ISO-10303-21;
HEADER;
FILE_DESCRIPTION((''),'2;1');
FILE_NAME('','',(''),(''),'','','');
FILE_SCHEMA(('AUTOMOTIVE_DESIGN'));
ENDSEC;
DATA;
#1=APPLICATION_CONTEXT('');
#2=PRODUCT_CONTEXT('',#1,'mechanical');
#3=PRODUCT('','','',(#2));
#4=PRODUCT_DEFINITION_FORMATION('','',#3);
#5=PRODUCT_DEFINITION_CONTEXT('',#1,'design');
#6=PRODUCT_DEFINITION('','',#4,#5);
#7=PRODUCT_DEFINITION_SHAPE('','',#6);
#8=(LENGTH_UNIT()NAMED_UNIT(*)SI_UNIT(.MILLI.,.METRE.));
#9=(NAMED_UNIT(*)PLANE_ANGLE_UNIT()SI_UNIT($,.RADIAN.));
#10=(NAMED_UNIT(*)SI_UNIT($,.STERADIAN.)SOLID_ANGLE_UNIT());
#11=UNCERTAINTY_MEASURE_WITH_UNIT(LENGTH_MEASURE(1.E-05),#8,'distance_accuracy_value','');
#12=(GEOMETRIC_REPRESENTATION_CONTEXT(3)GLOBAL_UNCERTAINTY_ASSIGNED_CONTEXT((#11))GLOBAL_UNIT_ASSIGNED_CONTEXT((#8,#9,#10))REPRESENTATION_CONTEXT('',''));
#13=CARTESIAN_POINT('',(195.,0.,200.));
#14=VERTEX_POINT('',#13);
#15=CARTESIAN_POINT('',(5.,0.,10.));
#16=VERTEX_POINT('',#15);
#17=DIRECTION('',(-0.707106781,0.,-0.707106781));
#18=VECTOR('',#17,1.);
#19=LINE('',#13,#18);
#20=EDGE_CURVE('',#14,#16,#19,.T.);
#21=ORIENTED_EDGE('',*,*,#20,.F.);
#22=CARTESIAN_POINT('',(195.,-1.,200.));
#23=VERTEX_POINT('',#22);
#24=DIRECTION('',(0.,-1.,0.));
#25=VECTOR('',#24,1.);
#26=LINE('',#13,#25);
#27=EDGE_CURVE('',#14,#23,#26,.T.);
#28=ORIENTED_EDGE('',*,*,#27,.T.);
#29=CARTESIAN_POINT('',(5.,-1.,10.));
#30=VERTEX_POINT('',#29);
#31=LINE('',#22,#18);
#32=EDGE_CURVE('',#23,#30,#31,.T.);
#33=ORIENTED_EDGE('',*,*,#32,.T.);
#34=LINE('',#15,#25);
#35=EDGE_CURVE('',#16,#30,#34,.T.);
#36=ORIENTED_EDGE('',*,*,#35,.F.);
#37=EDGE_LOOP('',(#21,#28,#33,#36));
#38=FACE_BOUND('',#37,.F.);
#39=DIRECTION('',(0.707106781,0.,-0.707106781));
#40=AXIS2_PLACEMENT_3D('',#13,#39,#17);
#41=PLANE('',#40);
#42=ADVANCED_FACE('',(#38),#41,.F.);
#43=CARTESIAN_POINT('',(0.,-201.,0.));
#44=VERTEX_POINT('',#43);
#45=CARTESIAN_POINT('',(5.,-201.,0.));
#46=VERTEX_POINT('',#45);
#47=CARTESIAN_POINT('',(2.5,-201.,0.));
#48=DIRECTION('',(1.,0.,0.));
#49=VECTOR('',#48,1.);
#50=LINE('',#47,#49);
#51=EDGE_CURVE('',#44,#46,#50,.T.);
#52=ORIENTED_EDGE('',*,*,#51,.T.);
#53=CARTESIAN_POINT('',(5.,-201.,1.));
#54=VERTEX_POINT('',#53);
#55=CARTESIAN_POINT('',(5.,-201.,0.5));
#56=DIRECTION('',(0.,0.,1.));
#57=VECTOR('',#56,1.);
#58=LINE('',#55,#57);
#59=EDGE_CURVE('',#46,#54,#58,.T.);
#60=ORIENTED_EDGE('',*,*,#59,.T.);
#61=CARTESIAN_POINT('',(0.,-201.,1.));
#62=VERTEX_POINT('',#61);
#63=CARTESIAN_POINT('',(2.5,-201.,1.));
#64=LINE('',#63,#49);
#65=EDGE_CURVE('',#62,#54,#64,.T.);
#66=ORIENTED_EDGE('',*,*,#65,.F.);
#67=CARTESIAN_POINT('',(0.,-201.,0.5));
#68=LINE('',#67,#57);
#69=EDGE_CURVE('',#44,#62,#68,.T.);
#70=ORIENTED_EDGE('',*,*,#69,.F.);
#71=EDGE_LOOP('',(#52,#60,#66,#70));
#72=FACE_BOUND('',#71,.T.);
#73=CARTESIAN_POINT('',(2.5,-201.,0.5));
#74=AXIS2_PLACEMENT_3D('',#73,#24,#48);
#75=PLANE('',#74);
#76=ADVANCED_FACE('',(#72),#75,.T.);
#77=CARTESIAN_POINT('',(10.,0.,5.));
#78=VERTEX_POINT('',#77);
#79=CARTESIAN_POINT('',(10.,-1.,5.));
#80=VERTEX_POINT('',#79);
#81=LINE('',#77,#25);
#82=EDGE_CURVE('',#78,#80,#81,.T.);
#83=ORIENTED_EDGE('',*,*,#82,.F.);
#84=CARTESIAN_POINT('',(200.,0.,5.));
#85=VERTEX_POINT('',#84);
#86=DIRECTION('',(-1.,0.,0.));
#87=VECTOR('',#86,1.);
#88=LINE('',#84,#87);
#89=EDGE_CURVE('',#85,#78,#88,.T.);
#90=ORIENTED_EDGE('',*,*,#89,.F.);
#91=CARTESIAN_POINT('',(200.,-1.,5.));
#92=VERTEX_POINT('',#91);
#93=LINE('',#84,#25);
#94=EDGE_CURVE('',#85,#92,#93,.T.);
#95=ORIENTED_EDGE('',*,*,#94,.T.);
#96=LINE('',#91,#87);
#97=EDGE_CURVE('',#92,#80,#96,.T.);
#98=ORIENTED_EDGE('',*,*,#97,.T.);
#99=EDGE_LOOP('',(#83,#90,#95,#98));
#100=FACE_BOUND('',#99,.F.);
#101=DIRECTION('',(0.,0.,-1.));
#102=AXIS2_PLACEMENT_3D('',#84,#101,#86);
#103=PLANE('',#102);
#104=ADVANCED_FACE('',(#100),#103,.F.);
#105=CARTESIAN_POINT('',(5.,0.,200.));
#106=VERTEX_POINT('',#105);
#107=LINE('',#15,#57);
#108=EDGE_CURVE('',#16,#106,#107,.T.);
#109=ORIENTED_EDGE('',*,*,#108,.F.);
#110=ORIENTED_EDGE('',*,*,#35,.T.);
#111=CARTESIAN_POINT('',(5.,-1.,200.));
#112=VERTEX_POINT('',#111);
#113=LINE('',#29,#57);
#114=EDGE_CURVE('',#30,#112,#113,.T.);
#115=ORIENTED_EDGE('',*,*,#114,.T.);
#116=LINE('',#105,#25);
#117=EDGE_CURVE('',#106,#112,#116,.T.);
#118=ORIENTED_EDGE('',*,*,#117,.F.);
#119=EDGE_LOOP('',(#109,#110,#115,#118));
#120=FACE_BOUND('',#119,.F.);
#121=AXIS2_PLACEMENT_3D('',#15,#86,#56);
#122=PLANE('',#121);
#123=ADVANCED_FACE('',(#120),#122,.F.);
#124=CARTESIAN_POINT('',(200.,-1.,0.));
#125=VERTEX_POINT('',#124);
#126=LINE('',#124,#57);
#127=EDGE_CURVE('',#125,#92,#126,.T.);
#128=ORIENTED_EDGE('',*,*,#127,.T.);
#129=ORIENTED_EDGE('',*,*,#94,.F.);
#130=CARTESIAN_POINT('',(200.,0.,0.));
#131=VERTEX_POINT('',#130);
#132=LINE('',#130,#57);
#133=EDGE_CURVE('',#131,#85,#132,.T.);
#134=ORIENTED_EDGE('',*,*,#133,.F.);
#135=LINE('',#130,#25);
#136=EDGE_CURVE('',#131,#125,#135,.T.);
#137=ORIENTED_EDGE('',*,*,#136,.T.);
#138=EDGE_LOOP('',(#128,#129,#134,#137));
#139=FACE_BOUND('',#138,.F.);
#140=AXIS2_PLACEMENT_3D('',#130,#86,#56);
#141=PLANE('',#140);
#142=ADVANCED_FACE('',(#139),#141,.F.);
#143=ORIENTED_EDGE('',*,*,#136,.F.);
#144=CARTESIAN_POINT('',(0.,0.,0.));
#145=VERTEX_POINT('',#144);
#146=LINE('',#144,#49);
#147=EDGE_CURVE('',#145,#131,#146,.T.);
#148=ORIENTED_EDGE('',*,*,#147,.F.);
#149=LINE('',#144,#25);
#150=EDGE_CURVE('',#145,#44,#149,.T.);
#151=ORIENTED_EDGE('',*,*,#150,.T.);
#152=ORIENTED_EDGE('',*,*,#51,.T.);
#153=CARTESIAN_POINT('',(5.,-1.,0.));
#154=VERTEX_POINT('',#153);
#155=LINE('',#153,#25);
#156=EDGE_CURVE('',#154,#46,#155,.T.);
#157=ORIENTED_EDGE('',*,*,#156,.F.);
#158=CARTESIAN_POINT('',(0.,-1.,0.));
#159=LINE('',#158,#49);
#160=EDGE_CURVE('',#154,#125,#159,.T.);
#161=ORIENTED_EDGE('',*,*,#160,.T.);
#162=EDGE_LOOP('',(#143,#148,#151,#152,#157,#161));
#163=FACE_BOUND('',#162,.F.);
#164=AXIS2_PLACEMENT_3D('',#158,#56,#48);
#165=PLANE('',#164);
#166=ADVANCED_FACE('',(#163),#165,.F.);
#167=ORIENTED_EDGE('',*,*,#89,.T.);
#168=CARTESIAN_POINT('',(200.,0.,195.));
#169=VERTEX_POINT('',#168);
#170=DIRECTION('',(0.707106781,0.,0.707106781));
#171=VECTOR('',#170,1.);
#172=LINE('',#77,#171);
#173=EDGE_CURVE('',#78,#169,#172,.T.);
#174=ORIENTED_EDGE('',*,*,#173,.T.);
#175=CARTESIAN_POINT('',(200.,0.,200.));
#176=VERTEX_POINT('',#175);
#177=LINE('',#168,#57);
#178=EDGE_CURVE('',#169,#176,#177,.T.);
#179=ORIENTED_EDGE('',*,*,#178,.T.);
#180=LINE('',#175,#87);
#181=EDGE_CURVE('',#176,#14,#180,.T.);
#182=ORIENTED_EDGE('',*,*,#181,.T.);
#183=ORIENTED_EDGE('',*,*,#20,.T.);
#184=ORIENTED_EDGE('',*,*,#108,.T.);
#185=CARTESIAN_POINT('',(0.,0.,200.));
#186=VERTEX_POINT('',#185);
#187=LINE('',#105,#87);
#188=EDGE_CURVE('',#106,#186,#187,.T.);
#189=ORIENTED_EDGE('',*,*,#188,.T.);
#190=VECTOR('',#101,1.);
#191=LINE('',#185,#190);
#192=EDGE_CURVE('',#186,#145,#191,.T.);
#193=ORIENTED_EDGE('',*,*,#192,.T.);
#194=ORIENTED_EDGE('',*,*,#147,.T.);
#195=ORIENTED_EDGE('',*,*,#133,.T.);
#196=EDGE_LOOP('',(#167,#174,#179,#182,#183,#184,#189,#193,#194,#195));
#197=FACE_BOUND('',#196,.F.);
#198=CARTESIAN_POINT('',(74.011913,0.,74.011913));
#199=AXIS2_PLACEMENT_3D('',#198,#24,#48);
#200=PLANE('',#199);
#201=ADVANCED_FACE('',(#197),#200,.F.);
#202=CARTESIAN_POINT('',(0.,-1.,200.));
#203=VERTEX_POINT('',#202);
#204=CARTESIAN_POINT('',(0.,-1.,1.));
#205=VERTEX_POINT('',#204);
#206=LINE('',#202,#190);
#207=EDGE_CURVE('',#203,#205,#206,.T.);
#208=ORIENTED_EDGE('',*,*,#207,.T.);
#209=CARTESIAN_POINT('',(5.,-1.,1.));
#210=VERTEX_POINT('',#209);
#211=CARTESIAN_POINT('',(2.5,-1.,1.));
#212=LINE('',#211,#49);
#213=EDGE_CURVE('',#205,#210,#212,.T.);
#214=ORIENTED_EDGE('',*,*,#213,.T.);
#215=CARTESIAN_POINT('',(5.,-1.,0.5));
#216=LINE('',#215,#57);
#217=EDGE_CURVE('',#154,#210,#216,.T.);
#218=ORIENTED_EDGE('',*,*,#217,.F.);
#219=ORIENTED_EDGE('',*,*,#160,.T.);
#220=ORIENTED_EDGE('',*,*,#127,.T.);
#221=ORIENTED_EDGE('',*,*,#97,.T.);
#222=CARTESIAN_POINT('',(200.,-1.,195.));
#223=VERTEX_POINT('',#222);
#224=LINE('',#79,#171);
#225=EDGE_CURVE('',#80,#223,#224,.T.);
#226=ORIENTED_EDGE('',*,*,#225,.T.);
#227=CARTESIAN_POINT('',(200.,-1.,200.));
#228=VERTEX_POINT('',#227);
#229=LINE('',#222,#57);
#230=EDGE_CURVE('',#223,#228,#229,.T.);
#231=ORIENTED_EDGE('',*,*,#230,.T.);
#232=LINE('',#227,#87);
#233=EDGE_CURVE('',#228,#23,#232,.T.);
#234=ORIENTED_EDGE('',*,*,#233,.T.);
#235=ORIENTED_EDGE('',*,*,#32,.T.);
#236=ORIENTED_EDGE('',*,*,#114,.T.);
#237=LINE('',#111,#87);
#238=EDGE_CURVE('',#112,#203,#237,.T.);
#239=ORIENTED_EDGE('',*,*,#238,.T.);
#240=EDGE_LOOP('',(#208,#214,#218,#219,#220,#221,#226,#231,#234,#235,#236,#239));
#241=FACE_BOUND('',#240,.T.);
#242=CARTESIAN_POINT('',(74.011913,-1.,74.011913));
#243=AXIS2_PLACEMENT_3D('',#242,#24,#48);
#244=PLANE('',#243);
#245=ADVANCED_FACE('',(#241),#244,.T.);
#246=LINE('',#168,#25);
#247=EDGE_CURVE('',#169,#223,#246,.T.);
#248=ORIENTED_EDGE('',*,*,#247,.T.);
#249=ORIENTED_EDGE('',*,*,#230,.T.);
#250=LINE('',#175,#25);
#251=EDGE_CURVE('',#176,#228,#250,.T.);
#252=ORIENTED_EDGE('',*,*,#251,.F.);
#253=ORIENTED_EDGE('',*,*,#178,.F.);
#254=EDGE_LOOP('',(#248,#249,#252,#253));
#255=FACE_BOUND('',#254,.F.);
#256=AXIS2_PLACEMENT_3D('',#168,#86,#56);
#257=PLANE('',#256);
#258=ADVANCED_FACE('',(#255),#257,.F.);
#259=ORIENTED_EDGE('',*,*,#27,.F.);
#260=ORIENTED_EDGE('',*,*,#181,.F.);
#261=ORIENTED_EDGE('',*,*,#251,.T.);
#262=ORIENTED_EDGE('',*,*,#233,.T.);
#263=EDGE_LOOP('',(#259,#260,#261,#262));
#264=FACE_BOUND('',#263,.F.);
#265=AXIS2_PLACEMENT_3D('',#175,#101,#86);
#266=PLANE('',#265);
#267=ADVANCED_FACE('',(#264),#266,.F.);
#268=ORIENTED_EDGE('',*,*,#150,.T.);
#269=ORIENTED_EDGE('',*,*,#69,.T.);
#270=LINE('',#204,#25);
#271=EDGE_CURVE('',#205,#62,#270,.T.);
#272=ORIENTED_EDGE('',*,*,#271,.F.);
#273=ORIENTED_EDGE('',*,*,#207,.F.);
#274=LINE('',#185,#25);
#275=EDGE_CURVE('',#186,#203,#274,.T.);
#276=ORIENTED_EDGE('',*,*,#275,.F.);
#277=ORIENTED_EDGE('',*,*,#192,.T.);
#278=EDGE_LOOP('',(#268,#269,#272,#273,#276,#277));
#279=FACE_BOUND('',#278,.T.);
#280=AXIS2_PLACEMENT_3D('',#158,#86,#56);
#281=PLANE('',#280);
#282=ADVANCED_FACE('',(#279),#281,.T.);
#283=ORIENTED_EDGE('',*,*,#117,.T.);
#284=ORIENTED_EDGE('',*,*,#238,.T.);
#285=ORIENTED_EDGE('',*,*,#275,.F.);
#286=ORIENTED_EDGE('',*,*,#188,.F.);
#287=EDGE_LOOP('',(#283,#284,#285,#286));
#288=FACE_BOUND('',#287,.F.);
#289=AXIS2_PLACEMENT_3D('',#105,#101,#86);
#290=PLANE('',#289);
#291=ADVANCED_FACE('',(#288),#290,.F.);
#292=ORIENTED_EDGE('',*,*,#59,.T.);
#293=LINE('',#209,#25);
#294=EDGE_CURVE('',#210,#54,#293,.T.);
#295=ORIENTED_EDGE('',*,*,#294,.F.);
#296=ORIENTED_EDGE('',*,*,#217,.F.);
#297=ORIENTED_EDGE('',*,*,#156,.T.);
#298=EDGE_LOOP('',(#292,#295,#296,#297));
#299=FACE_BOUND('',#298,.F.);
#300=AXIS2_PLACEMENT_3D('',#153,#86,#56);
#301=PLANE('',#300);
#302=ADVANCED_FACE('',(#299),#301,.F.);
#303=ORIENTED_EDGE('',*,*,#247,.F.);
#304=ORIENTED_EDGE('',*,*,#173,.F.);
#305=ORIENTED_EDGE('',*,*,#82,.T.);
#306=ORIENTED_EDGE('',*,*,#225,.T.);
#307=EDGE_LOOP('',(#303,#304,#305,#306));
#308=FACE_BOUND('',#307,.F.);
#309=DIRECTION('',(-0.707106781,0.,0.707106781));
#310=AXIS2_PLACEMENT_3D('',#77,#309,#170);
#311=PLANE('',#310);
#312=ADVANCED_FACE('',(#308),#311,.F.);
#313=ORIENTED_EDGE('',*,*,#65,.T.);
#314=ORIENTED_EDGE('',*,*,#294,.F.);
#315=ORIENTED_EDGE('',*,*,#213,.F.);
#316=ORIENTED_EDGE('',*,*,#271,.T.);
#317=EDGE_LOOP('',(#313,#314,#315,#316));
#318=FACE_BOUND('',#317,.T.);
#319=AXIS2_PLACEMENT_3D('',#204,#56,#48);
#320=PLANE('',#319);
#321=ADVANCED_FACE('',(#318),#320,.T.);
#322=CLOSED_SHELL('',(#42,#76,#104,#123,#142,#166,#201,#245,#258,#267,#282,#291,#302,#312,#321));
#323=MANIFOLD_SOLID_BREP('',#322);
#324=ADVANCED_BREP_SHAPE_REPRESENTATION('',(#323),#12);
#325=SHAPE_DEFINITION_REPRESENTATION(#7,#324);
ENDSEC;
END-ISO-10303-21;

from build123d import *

# Parameters (mm, degrees)
F1_DEPTH = 1
F2_W     = 5
F2_H     = 1
F3_DEPTH = 200


with BuildPart() as f1:
    # F0 (on Front) → F1 (new body)
    with BuildSketch(Plane.XZ):
        Polygon((0, 5), (0, 0), (5, 0), (200, 0), (200, 5), (10, 5), (200, 195), (200, 200), (195, 200), (5, 10), (5, 200), (0, 200), align=None)
    extrude(amount=F1_DEPTH)

    # F2 (on face) → F3 (join)
    with BuildSketch(Plane.XZ.offset(1)):
        with Locations((2.5, 0.5)):
            Rectangle(F2_W, F2_H)
    extrude(amount=F3_DEPTH)


solid = f1.part
